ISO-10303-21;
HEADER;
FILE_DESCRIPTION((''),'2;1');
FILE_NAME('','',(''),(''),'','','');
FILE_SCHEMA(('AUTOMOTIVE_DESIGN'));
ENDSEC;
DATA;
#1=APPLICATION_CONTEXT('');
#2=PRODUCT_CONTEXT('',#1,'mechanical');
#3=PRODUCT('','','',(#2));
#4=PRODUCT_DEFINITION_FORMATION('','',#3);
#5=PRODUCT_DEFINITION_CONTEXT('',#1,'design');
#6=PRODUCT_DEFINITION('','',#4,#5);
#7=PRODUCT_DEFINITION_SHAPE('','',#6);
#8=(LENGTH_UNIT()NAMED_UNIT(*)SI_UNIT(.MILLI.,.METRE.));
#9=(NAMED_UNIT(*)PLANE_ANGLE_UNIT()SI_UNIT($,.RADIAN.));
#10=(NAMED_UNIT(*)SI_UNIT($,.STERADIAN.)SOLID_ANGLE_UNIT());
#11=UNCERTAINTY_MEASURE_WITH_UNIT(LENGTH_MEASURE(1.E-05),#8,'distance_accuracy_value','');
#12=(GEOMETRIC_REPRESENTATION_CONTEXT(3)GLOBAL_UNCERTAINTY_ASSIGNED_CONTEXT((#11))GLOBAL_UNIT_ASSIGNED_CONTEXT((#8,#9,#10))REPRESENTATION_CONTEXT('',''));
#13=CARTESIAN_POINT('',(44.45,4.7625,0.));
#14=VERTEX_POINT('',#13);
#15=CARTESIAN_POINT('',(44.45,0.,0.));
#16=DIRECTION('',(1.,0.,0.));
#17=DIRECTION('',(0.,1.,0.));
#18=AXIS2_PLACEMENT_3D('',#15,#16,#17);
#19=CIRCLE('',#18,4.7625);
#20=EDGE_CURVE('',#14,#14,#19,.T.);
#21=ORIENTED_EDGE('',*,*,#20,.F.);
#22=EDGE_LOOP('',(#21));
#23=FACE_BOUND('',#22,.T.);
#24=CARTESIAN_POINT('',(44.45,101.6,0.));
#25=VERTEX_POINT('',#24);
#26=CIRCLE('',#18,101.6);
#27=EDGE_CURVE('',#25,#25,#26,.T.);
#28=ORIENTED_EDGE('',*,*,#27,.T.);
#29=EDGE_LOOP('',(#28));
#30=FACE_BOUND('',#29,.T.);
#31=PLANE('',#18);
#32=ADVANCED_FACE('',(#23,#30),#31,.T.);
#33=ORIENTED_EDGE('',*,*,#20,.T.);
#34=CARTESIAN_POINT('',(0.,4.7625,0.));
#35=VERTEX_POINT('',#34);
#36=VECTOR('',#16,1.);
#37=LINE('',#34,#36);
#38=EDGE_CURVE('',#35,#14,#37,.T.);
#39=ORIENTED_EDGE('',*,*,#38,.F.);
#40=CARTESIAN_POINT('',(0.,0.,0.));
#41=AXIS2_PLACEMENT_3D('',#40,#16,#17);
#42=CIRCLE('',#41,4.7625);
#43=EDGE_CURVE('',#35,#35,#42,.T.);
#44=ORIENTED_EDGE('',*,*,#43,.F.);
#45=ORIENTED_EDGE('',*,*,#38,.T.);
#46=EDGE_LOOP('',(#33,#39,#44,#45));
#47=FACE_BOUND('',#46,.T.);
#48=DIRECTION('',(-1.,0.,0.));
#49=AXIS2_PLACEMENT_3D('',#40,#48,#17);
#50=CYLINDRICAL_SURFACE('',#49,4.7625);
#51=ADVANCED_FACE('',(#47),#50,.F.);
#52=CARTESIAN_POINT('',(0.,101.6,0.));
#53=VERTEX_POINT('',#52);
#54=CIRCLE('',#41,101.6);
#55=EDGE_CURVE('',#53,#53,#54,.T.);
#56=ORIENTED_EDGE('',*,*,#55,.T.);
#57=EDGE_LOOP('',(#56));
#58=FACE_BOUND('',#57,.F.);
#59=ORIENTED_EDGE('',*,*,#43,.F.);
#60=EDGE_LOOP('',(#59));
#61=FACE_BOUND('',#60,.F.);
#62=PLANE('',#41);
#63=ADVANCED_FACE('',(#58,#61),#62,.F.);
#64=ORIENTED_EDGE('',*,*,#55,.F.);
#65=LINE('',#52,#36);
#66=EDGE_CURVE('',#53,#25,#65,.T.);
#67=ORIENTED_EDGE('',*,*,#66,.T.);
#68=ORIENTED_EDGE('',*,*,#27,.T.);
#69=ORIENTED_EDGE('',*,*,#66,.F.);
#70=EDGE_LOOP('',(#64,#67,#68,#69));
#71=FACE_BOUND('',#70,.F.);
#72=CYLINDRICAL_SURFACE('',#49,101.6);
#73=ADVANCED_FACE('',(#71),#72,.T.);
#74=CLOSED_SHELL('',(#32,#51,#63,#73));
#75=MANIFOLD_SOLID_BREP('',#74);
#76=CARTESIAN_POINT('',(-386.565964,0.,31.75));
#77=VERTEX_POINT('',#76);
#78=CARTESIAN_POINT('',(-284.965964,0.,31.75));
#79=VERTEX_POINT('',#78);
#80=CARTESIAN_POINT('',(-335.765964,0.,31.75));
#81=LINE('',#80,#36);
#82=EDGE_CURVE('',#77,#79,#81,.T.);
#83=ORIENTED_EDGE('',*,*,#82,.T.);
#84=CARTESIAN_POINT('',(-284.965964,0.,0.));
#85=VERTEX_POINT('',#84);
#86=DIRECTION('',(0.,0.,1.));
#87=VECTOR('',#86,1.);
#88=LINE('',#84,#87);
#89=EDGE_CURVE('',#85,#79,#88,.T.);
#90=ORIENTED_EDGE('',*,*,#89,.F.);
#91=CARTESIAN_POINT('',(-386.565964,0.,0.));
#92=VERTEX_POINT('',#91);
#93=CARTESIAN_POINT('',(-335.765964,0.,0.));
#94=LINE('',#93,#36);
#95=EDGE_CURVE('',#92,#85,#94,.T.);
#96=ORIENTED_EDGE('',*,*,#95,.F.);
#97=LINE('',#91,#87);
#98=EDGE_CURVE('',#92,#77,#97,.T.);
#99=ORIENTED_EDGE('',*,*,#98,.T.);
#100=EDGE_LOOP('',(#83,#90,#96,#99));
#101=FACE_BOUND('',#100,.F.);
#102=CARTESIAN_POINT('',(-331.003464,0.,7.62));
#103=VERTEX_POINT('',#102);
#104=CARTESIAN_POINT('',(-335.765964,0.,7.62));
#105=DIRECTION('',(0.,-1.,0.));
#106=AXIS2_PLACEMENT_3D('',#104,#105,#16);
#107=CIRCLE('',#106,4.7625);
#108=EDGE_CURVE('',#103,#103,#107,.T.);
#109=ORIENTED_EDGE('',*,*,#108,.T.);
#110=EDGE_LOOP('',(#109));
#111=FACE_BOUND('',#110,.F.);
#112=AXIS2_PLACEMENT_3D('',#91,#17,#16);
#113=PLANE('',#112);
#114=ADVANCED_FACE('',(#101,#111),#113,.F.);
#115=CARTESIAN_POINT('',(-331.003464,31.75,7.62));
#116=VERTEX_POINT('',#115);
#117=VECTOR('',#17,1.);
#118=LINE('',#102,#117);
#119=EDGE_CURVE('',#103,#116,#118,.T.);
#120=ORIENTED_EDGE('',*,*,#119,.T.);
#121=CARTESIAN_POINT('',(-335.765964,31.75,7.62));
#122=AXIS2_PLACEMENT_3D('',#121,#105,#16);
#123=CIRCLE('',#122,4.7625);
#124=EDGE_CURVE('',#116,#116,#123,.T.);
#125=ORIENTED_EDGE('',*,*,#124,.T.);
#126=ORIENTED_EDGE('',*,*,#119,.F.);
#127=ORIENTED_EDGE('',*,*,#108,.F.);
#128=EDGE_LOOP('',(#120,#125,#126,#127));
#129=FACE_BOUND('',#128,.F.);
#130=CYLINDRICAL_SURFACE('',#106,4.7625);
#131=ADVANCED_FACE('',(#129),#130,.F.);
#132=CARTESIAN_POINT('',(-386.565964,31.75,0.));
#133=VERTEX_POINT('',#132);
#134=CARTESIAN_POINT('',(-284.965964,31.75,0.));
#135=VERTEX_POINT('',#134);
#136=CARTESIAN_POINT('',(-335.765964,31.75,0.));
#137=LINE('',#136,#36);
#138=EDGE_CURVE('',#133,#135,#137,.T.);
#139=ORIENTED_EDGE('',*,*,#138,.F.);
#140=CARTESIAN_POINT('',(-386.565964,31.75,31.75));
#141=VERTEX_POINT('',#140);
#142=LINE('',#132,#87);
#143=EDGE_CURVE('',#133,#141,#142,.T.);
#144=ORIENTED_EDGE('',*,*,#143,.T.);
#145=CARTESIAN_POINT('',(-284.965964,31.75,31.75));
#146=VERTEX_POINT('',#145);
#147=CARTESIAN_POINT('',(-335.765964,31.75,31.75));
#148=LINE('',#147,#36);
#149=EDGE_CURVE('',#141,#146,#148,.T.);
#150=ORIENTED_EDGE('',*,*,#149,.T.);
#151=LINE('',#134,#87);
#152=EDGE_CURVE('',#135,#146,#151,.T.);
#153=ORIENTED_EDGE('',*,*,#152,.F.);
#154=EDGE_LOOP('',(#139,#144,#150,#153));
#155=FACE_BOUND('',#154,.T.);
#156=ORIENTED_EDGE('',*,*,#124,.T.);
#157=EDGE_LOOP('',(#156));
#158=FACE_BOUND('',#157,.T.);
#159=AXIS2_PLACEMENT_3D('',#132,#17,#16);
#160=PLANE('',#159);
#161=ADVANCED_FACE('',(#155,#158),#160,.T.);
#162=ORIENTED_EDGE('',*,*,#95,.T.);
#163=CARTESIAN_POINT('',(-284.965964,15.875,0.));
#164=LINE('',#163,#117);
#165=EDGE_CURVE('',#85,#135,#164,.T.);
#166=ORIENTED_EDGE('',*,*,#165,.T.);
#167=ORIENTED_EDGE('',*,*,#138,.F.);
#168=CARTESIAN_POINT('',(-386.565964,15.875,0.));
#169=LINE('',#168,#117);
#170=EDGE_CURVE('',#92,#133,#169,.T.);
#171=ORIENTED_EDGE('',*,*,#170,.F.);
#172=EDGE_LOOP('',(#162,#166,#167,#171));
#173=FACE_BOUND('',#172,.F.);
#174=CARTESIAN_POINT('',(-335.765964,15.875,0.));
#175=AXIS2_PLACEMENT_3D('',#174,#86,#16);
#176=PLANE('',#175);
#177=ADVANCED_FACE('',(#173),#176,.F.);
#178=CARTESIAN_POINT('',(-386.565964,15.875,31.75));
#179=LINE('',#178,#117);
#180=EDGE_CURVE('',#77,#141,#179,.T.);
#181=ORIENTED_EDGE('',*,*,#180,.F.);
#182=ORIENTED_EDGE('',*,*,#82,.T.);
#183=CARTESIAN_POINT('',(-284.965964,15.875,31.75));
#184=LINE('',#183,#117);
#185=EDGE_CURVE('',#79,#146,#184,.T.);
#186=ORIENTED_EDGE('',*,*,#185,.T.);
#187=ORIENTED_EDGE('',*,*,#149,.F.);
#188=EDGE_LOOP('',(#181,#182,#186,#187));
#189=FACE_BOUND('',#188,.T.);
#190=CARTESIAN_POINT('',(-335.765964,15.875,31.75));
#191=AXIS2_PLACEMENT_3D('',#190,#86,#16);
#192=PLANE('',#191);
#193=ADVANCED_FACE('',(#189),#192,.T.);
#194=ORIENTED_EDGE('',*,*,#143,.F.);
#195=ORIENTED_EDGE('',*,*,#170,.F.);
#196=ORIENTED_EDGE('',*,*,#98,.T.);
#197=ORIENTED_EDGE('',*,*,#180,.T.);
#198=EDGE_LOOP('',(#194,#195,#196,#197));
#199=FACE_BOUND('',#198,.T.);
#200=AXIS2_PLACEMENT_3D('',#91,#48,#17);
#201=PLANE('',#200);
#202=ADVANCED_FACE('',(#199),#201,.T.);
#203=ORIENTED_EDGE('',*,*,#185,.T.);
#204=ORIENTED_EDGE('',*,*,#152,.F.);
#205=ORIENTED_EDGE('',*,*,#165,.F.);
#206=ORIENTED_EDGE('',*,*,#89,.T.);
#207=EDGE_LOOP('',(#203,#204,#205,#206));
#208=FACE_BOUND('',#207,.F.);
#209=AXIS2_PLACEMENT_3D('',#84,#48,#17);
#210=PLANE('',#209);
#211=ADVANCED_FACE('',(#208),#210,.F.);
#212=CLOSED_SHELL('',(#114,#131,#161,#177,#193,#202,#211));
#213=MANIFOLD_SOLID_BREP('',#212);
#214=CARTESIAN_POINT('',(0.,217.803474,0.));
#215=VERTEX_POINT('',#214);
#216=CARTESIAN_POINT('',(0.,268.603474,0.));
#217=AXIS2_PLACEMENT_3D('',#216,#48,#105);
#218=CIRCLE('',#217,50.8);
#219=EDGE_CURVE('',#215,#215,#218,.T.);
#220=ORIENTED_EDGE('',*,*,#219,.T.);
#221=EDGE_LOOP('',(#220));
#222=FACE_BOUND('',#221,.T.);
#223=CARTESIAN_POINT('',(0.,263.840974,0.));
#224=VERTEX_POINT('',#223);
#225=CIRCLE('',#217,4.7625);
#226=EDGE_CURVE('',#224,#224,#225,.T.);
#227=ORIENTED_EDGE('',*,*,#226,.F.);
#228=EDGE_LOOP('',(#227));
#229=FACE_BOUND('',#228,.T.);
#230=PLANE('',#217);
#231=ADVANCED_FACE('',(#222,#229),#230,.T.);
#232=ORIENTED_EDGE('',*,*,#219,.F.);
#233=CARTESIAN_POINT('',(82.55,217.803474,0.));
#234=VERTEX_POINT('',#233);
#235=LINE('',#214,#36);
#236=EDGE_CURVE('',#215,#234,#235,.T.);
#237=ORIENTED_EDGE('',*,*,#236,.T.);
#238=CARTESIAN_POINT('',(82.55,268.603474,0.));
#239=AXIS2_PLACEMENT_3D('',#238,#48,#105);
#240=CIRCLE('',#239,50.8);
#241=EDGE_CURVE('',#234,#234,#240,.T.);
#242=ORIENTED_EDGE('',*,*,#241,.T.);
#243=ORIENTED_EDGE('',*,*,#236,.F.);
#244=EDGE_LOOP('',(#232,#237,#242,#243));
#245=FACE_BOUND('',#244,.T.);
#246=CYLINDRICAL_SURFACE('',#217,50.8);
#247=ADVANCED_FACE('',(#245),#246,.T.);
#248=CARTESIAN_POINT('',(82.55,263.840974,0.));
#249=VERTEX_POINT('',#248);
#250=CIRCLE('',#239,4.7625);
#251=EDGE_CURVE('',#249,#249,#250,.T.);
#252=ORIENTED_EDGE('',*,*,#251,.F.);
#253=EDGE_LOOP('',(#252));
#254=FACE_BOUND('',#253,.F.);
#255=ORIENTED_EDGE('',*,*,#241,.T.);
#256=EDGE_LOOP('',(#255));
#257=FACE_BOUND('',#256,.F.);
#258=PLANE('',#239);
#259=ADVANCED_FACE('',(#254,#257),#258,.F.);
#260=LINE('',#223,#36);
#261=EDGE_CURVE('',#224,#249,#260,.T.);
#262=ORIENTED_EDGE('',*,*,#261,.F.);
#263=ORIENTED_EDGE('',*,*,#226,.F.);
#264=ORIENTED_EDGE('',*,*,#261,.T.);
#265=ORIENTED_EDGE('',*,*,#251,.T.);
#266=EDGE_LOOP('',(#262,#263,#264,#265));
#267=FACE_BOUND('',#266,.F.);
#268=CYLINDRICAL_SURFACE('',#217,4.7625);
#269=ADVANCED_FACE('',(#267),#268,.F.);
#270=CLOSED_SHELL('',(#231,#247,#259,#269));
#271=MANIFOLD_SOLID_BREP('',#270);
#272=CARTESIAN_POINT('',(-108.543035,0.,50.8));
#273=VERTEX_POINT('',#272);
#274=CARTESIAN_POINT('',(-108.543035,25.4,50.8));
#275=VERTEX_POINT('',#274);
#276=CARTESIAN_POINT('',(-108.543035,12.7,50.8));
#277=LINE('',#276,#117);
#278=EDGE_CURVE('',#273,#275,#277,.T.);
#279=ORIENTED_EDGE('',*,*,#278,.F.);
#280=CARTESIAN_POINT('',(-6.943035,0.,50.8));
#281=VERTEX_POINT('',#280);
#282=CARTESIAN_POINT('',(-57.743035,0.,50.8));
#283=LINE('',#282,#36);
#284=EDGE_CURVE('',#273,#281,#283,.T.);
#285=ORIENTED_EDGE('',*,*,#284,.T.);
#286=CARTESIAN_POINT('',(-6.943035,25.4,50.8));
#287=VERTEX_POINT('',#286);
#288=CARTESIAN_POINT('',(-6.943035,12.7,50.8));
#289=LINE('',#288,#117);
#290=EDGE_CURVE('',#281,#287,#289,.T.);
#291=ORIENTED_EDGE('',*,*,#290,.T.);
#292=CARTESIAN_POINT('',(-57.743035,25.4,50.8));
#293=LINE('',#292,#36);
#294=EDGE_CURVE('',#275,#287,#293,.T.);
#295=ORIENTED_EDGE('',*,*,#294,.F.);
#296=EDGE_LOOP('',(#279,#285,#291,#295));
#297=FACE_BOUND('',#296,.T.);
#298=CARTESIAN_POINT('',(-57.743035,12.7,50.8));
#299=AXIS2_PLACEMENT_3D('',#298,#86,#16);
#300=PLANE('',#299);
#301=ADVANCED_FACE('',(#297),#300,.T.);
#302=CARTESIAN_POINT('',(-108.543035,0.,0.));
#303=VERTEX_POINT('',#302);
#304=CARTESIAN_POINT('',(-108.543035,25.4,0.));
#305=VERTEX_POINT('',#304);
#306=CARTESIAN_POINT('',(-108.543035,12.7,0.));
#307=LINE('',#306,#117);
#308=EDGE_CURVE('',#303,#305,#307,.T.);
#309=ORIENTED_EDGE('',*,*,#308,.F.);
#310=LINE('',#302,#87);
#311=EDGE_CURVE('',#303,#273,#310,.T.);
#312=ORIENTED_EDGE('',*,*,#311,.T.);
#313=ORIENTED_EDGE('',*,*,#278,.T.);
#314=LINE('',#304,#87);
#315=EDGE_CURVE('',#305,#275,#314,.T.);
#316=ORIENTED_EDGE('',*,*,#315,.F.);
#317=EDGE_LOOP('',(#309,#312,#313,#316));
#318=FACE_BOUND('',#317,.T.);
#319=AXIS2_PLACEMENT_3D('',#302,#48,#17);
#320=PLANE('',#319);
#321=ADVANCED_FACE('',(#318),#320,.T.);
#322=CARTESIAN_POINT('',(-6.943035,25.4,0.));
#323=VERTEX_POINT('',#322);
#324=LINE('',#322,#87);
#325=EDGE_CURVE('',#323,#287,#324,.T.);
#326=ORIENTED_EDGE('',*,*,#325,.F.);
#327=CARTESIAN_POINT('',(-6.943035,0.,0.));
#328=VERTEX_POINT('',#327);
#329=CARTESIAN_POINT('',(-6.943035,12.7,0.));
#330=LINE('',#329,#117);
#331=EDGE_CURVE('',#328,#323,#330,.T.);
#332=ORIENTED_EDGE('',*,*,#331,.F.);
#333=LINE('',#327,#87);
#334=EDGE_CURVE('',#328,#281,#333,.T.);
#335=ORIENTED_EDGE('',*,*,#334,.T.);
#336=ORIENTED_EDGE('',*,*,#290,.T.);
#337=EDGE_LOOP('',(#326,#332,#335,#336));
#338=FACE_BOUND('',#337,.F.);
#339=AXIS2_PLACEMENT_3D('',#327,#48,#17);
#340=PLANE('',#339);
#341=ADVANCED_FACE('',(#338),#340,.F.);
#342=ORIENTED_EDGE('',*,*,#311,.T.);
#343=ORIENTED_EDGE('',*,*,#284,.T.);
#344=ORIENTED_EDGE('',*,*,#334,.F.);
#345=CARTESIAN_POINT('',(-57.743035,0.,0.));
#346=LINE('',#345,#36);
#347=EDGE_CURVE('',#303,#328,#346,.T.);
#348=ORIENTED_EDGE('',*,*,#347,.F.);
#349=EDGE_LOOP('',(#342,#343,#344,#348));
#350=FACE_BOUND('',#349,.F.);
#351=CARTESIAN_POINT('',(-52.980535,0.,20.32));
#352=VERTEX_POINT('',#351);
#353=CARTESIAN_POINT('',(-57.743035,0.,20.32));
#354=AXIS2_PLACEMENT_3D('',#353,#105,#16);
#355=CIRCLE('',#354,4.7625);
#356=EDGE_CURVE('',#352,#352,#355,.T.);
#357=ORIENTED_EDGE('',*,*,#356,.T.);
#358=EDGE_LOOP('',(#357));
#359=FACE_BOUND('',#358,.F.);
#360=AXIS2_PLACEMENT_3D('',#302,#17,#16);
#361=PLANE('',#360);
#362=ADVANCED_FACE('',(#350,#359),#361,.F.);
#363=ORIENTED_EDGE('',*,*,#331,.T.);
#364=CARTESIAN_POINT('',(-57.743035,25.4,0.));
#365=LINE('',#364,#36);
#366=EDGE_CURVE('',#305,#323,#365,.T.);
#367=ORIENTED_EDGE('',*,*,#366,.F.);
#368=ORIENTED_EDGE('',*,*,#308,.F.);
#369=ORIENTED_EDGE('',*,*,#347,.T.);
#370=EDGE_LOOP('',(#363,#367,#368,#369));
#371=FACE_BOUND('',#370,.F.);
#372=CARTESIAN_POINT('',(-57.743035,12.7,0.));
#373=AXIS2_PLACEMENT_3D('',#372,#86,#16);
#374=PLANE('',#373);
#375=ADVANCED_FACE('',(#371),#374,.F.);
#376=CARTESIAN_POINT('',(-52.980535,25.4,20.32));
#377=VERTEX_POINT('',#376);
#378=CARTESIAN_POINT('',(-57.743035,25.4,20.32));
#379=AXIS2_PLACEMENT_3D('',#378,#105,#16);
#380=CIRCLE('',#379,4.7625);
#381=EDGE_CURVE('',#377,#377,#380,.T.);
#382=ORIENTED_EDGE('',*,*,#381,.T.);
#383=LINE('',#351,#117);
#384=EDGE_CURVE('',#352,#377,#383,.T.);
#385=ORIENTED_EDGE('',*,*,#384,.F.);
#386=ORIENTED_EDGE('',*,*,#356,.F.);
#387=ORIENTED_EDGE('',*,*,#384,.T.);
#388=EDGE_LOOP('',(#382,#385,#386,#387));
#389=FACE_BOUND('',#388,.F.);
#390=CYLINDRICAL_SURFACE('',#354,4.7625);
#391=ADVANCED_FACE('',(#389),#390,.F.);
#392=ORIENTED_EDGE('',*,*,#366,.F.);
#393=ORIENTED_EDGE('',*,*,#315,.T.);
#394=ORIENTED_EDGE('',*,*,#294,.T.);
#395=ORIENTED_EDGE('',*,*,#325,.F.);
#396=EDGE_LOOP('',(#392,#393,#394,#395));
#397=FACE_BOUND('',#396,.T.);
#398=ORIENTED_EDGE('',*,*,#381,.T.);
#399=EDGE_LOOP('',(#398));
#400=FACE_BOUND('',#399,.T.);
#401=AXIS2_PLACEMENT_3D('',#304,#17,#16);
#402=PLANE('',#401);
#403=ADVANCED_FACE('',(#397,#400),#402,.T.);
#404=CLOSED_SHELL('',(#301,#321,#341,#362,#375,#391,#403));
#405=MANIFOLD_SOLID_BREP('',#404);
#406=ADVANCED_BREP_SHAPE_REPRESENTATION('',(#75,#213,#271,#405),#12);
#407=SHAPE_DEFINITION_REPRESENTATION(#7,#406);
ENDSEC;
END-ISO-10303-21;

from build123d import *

# Parameters (mm, degrees)
F0_R      = 101.6
F0_R_2    = 4.7625
F1_DEPTH  = 44.45
F2_R      = 50.8
F2_R_2    = 4.7625
F3_DEPTH  = 82.55
F4_W      = 101.6
F4_H      = 25.4
F5_DEPTH  = 50.8
F6_R      = 4.7625
F7_DEPTH  = 25.4
F8_W      = 101.6
F8_H      = 31.75
F9_DEPTH  = 31.75
F10_R     = 4.7625
F11_DEPTH = 31.75


with BuildPart() as f1:
    # F0 (on Right) → F1 (new body)
    with BuildSketch(Plane.YZ):
        Circle(F0_R)
        Circle(F0_R_2, mode=Mode.SUBTRACT)
    extrude(amount=F1_DEPTH)


with BuildPart() as f3:
    # F2 (on face) → F3 (new body)
    with BuildSketch(Plane(origin=(0, 0, 0), x_dir=(0, -1, 0), z_dir=(-1, 0, 0))):
        with Locations((-268.603474, 0)):
            Circle(F2_R)
        with Locations((-268.603474, 0)):
            Circle(F2_R_2, mode=Mode.SUBTRACT)
    extrude(amount=-F3_DEPTH)


with BuildPart() as f5:
    # F4 (on Top) → F5 (new body)
    with BuildSketch(Plane.XY):
        with Locations((-57.743035, 12.7)):
            Rectangle(F4_W, F4_H)
    extrude(amount=F5_DEPTH)

    # F6 (on face) → F7 (cut, through all)
    with BuildSketch(Plane.XZ):
        with Locations((-57.743035, 20.32)):
            Circle(F6_R)
    extrude(amount=-F7_DEPTH, mode=Mode.SUBTRACT)


with BuildPart() as f9:
    # F8 (on Top) → F9 (new body)
    with BuildSketch(Plane.XY):
        with Locations((-335.765964, 15.875)):
            Rectangle(F8_W, F8_H)
    extrude(amount=F9_DEPTH)

    # F10 (on face) → F11 (cut, through all)
    with BuildSketch(Plane.XZ):
        with Locations((-335.765964, 7.62)):
            Circle(F10_R)
    extrude(amount=-F11_DEPTH, mode=Mode.SUBTRACT)


solid = Compound([f1.part, f3.part, f5.part, f9.part])
